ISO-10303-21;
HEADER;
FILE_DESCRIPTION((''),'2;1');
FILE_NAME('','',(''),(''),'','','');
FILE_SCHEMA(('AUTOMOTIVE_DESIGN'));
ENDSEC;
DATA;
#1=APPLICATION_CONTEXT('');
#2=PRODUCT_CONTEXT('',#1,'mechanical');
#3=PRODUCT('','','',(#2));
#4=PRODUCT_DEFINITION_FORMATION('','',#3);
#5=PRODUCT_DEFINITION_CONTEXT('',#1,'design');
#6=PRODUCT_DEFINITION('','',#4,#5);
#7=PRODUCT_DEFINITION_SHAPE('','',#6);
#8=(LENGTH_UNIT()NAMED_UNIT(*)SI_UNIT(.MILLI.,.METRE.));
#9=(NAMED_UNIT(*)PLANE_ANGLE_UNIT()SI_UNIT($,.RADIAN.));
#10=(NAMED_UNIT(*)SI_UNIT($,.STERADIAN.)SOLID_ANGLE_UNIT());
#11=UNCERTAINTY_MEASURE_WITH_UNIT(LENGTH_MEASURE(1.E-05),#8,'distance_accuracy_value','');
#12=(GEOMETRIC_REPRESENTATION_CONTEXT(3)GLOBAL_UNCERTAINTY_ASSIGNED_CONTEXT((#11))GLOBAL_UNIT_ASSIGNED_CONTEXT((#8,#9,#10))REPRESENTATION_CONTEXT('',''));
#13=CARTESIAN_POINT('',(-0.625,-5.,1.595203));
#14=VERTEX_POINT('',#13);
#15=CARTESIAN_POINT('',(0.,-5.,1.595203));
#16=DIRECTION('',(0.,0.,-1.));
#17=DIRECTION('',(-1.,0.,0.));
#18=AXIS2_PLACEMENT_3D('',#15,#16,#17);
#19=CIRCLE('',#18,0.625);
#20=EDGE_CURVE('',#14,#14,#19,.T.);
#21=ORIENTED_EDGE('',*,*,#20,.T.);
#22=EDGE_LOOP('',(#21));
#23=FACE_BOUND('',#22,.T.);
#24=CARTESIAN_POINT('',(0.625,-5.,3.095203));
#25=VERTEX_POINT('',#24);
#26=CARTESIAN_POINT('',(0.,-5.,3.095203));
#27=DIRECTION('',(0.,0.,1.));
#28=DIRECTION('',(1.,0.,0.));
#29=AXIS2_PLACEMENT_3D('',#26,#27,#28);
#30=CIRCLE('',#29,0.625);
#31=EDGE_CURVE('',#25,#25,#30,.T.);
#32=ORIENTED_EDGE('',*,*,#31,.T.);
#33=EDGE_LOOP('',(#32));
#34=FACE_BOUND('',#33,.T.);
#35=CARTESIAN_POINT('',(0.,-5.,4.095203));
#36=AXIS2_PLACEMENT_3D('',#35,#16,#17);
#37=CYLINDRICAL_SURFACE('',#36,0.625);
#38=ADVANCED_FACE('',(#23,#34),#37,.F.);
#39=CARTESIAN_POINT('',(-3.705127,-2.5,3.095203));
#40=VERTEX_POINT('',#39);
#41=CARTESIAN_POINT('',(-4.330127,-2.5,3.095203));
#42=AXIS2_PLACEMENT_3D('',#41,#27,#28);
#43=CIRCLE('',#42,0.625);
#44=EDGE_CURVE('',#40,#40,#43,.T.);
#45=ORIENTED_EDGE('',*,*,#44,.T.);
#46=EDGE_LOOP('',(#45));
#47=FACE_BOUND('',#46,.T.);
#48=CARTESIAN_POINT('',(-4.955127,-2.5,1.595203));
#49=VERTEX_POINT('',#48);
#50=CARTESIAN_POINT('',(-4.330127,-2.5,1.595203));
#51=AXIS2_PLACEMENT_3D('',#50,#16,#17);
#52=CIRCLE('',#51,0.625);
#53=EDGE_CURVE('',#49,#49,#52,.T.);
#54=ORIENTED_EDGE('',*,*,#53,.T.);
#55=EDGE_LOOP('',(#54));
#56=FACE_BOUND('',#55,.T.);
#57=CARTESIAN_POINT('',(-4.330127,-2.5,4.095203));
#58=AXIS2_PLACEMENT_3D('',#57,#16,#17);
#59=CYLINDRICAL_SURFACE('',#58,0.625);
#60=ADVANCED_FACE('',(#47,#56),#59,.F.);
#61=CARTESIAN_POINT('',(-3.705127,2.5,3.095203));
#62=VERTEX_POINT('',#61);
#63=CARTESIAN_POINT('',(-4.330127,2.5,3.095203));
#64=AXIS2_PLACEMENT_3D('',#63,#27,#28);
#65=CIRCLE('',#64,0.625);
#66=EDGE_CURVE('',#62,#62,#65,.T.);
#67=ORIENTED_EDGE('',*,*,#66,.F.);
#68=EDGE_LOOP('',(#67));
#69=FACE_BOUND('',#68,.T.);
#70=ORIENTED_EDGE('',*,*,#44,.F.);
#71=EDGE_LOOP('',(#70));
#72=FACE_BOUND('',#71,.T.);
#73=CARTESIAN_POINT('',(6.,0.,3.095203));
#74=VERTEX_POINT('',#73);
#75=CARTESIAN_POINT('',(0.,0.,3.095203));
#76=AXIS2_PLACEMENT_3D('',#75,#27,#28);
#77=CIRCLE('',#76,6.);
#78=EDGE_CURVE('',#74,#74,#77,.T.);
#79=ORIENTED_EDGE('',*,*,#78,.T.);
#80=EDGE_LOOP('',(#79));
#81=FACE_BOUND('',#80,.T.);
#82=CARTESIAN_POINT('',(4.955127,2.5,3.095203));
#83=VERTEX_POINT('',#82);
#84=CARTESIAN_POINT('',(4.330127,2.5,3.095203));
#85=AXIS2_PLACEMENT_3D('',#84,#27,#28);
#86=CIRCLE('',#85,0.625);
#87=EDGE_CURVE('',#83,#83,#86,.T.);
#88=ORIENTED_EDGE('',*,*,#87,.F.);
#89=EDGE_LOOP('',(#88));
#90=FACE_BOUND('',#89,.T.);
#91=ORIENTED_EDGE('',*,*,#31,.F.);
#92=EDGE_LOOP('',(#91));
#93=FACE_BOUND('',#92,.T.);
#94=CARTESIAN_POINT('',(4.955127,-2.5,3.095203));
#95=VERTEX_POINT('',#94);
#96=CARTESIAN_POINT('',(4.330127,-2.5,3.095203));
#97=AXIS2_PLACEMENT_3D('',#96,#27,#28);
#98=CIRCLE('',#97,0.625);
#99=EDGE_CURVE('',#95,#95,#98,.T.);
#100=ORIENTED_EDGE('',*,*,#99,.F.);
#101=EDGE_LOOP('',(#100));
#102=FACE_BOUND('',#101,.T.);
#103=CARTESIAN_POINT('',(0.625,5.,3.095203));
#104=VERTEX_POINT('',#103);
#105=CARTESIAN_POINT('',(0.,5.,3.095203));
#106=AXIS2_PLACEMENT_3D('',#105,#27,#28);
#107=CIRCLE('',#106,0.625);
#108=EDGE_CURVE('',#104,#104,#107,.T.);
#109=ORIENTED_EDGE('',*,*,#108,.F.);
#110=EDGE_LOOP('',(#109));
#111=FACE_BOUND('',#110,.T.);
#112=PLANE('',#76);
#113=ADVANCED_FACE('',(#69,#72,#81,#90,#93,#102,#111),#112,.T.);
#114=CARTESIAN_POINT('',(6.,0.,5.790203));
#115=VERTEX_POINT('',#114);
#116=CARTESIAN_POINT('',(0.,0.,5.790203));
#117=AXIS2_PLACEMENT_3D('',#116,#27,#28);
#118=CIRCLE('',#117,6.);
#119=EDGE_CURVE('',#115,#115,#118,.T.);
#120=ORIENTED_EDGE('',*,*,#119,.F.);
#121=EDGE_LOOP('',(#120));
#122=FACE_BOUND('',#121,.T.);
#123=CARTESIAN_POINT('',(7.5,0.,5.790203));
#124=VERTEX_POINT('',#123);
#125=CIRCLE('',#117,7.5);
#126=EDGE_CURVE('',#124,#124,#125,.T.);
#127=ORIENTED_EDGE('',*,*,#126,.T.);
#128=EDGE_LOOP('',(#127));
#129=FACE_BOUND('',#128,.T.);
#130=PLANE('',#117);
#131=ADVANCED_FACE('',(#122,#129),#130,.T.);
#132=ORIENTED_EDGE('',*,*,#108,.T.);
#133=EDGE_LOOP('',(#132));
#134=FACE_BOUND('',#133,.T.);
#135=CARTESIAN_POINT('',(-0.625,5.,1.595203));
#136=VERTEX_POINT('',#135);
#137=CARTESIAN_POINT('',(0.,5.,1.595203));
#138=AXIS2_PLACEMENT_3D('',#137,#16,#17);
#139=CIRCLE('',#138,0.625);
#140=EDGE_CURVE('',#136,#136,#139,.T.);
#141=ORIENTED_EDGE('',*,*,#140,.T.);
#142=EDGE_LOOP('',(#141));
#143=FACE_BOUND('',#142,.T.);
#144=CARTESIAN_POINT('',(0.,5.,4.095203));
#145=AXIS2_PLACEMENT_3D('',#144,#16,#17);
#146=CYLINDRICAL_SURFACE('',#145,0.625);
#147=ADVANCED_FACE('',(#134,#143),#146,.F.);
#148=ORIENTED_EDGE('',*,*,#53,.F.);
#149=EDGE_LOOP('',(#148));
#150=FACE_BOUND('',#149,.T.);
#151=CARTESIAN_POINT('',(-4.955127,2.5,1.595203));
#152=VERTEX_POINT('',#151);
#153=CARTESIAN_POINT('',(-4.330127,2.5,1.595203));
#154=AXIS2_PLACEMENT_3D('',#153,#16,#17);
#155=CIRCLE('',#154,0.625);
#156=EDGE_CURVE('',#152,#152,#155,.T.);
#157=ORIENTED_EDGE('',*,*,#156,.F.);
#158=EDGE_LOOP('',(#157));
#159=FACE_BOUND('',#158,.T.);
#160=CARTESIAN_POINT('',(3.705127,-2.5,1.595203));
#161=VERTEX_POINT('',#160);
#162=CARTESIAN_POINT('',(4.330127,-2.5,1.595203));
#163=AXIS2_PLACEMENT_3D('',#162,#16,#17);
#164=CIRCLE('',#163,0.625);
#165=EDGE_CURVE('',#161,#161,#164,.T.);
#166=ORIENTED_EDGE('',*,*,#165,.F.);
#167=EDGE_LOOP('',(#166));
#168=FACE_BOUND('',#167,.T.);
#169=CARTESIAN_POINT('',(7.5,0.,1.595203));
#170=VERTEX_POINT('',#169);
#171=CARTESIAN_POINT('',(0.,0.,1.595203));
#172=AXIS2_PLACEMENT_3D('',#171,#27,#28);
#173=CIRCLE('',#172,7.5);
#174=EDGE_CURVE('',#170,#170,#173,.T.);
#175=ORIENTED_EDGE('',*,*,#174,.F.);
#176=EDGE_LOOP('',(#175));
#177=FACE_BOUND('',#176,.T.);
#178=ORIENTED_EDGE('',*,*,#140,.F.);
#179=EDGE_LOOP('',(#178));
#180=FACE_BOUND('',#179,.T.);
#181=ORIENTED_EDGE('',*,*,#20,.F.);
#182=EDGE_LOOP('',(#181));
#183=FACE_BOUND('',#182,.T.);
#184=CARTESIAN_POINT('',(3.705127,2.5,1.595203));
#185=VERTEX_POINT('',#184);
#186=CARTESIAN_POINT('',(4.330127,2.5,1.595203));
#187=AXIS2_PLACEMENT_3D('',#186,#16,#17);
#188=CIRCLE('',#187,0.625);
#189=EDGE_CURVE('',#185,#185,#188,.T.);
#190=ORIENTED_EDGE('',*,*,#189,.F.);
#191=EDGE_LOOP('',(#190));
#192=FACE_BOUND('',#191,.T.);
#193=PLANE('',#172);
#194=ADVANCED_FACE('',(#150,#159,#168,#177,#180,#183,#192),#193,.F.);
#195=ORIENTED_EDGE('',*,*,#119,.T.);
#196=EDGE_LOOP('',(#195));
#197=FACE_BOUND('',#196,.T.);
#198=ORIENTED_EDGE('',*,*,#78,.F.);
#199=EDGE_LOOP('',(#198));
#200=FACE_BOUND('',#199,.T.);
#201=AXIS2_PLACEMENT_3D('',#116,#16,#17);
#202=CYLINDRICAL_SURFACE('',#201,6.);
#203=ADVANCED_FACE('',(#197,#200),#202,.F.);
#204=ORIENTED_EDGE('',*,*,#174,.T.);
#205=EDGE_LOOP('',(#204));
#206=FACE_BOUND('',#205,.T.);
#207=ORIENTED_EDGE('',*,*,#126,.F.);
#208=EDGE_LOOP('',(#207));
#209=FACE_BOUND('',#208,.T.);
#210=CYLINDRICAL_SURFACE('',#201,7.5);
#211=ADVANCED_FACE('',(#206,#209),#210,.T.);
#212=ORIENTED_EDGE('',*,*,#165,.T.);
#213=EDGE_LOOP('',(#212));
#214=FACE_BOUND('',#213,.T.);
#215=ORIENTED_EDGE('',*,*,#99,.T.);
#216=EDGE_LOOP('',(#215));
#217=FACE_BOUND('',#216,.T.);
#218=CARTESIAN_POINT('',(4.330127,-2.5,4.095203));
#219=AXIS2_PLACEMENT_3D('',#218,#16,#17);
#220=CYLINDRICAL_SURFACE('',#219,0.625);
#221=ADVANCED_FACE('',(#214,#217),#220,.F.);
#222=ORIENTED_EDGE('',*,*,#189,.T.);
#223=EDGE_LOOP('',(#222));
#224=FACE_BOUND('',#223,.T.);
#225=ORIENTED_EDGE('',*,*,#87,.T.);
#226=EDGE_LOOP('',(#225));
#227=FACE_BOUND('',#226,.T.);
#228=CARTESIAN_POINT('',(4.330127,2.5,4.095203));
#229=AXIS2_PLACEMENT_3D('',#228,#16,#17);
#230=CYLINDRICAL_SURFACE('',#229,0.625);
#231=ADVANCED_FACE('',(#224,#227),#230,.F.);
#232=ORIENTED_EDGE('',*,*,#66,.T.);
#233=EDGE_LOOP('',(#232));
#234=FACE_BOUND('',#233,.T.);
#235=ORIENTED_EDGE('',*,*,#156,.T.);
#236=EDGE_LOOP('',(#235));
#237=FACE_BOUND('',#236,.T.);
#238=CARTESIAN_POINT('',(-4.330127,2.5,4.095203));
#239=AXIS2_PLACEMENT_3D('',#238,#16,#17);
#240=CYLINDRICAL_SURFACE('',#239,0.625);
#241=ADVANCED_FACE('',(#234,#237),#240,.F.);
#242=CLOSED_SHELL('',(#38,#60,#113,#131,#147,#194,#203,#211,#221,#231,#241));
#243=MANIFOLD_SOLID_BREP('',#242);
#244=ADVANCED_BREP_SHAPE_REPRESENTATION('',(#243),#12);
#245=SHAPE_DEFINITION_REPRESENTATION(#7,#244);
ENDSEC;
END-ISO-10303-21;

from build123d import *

# Parameters (mm, degrees)
SKETCH2_R           = 15
BOSS_EXTRUDE1_DEPTH = 8.39
SHELL1_T            = -3
SKETCH3_R           = 1.25
CUT_EXTRUDE1_DEPTH  = 5
SCALE1_SCALE        = 0.5


with BuildPart() as part:
    # Sketch2 → Boss-Extrude1 (new body)
    with BuildSketch(Plane.XY):
        Circle(SKETCH2_R)
    extrude(amount=BOSS_EXTRUDE1_DEPTH)

    # Shell1
    shell1_openings = [part.faces().sort_by_distance(p)[0] for p in [
        (0, 0, 8.39),
    ]]
    offset(amount=SHELL1_T, openings=shell1_openings, kind=Kind.INTERSECTION)

    # Sketch3 → Cut-Extrude1 (cut)
    with BuildSketch(Plane(origin=(0, 0, 0), x_dir=(-1, 0, 0), z_dir=(0, 0, -1))):
        with Locations((0, 10)):
            Circle(SKETCH3_R)
        with Locations((8.660254038, 5)):
            Circle(SKETCH3_R)
        with Locations((8.660254038, -5)):
            Circle(SKETCH3_R)
        with Locations((0, -10)):
            Circle(SKETCH3_R)
        with Locations((-8.660254038, -5)):
            Circle(SKETCH3_R)
        with Locations((-8.660254038, 5)):
            Circle(SKETCH3_R)
    extrude(amount=-CUT_EXTRUDE1_DEPTH, mode=Mode.SUBTRACT)


with BuildPart() as part_1:
    # Scale1: scaled about (0, 0, 3.190405366)
    add(part.part.scale(SCALE1_SCALE).moved(Location((0, 0, 1.595202683))))


solid = part_1.part
